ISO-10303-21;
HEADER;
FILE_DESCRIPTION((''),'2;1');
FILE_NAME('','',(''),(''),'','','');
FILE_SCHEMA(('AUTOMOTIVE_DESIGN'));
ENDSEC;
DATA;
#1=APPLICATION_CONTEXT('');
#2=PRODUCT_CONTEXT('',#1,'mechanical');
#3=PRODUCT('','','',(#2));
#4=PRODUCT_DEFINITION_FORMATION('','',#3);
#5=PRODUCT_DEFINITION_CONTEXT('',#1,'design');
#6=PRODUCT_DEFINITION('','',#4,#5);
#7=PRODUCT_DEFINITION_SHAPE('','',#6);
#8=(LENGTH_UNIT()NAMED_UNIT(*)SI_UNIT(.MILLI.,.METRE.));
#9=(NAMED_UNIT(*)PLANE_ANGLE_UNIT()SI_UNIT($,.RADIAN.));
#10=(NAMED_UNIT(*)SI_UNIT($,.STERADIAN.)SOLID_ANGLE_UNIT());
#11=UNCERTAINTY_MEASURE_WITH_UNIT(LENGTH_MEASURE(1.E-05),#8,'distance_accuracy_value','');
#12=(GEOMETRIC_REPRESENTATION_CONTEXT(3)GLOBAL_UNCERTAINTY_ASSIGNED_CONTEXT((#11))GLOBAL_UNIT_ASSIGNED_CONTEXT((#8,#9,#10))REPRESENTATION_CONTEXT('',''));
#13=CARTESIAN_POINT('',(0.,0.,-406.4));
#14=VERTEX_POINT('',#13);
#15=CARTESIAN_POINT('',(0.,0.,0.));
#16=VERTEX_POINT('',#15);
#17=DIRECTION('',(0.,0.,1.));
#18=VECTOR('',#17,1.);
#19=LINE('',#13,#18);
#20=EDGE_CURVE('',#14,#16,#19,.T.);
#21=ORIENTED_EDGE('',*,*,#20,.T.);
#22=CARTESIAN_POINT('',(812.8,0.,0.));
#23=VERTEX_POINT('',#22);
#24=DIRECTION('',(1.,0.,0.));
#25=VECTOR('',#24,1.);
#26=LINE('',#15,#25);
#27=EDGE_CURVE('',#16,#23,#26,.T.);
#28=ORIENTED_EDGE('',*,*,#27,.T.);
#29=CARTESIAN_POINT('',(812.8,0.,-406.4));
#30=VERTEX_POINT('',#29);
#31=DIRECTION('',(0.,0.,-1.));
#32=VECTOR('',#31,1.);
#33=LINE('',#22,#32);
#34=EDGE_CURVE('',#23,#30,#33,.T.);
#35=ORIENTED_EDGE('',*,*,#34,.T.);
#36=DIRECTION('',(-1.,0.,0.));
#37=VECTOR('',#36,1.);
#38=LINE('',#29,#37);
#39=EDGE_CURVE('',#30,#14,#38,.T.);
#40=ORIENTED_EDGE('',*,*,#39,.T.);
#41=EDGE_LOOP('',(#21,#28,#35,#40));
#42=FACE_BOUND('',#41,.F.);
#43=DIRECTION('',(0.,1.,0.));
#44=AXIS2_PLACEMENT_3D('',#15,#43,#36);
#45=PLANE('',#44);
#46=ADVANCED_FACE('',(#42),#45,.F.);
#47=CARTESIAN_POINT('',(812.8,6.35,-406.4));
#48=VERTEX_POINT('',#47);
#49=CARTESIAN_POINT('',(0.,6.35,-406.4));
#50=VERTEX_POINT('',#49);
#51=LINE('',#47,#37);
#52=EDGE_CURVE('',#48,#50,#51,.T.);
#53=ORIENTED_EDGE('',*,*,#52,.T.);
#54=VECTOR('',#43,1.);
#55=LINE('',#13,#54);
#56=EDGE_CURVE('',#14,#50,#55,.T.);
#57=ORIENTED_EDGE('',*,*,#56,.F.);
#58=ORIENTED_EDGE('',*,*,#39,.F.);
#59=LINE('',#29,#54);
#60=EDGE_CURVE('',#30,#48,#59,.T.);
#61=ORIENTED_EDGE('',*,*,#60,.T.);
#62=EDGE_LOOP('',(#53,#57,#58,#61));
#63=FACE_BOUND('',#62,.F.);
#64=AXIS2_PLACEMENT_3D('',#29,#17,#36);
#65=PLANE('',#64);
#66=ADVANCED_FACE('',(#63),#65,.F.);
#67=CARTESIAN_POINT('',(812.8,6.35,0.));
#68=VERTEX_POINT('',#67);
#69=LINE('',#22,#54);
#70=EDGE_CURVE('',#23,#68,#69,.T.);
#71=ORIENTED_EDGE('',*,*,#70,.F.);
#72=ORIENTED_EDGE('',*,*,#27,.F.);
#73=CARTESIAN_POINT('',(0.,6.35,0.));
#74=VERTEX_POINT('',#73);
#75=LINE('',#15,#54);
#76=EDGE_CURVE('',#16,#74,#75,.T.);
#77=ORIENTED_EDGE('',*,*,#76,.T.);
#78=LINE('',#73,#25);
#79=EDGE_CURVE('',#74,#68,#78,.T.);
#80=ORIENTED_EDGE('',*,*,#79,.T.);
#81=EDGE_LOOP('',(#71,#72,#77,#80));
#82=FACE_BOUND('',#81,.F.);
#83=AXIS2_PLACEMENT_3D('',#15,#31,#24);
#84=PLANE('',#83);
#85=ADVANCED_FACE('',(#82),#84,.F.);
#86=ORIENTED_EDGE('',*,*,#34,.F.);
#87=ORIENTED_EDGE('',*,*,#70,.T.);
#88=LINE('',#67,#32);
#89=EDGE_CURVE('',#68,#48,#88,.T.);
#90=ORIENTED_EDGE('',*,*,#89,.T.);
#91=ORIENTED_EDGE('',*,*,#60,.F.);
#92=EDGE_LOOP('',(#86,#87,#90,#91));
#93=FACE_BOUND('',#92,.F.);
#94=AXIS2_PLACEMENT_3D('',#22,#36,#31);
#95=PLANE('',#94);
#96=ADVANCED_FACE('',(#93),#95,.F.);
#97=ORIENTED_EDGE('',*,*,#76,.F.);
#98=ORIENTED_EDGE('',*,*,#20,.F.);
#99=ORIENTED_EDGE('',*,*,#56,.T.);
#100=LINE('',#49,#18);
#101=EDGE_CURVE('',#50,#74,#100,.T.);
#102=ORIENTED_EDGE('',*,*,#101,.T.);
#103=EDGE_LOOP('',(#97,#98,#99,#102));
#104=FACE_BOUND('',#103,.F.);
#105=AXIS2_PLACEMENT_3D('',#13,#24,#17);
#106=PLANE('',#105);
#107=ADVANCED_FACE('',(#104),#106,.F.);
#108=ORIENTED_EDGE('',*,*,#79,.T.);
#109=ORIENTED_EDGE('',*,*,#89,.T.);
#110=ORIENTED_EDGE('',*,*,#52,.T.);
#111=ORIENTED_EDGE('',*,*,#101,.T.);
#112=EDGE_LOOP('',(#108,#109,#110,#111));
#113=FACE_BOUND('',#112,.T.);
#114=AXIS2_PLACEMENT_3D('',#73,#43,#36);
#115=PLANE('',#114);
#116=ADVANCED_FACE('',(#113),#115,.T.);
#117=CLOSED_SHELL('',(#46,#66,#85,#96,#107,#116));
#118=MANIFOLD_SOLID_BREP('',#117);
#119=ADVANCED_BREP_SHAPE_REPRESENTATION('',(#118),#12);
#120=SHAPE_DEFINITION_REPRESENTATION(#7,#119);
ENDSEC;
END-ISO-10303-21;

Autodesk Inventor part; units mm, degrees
ref_plane "YZ Plane" through (0, 0, 0) normal (1, 0, 0) x (0, 1, 0)
ref_plane "XZ Plane" through (0, 0, 0) normal (0, 1, 0) x (-1, 0, 0)
ref_plane "XY Plane" through (0, 0, 0) normal (0, 0, 1) x (1, 0, 0)
sketch "Sketch1" plane through (0, 0, 0) normal (0, 1, 0) x (-1, 0, 0)
  line L0 (0, 0) -> (-812.8, 0)
  line L1 (-812.8, 0) -> (-812.8, -406.4)
  line L2 (-812.8, -406.4) -> (0, -406.4)
  line L3 (0, -406.4) -> (0, 0)
  dimension "d0" = 812.8
  dimension "d1" = 406.4
extrude "Extrusion1" add sketch "Sketch1" along normal blind 6.35
properties part number "bottom_bottom_plywood_Ocampo"
